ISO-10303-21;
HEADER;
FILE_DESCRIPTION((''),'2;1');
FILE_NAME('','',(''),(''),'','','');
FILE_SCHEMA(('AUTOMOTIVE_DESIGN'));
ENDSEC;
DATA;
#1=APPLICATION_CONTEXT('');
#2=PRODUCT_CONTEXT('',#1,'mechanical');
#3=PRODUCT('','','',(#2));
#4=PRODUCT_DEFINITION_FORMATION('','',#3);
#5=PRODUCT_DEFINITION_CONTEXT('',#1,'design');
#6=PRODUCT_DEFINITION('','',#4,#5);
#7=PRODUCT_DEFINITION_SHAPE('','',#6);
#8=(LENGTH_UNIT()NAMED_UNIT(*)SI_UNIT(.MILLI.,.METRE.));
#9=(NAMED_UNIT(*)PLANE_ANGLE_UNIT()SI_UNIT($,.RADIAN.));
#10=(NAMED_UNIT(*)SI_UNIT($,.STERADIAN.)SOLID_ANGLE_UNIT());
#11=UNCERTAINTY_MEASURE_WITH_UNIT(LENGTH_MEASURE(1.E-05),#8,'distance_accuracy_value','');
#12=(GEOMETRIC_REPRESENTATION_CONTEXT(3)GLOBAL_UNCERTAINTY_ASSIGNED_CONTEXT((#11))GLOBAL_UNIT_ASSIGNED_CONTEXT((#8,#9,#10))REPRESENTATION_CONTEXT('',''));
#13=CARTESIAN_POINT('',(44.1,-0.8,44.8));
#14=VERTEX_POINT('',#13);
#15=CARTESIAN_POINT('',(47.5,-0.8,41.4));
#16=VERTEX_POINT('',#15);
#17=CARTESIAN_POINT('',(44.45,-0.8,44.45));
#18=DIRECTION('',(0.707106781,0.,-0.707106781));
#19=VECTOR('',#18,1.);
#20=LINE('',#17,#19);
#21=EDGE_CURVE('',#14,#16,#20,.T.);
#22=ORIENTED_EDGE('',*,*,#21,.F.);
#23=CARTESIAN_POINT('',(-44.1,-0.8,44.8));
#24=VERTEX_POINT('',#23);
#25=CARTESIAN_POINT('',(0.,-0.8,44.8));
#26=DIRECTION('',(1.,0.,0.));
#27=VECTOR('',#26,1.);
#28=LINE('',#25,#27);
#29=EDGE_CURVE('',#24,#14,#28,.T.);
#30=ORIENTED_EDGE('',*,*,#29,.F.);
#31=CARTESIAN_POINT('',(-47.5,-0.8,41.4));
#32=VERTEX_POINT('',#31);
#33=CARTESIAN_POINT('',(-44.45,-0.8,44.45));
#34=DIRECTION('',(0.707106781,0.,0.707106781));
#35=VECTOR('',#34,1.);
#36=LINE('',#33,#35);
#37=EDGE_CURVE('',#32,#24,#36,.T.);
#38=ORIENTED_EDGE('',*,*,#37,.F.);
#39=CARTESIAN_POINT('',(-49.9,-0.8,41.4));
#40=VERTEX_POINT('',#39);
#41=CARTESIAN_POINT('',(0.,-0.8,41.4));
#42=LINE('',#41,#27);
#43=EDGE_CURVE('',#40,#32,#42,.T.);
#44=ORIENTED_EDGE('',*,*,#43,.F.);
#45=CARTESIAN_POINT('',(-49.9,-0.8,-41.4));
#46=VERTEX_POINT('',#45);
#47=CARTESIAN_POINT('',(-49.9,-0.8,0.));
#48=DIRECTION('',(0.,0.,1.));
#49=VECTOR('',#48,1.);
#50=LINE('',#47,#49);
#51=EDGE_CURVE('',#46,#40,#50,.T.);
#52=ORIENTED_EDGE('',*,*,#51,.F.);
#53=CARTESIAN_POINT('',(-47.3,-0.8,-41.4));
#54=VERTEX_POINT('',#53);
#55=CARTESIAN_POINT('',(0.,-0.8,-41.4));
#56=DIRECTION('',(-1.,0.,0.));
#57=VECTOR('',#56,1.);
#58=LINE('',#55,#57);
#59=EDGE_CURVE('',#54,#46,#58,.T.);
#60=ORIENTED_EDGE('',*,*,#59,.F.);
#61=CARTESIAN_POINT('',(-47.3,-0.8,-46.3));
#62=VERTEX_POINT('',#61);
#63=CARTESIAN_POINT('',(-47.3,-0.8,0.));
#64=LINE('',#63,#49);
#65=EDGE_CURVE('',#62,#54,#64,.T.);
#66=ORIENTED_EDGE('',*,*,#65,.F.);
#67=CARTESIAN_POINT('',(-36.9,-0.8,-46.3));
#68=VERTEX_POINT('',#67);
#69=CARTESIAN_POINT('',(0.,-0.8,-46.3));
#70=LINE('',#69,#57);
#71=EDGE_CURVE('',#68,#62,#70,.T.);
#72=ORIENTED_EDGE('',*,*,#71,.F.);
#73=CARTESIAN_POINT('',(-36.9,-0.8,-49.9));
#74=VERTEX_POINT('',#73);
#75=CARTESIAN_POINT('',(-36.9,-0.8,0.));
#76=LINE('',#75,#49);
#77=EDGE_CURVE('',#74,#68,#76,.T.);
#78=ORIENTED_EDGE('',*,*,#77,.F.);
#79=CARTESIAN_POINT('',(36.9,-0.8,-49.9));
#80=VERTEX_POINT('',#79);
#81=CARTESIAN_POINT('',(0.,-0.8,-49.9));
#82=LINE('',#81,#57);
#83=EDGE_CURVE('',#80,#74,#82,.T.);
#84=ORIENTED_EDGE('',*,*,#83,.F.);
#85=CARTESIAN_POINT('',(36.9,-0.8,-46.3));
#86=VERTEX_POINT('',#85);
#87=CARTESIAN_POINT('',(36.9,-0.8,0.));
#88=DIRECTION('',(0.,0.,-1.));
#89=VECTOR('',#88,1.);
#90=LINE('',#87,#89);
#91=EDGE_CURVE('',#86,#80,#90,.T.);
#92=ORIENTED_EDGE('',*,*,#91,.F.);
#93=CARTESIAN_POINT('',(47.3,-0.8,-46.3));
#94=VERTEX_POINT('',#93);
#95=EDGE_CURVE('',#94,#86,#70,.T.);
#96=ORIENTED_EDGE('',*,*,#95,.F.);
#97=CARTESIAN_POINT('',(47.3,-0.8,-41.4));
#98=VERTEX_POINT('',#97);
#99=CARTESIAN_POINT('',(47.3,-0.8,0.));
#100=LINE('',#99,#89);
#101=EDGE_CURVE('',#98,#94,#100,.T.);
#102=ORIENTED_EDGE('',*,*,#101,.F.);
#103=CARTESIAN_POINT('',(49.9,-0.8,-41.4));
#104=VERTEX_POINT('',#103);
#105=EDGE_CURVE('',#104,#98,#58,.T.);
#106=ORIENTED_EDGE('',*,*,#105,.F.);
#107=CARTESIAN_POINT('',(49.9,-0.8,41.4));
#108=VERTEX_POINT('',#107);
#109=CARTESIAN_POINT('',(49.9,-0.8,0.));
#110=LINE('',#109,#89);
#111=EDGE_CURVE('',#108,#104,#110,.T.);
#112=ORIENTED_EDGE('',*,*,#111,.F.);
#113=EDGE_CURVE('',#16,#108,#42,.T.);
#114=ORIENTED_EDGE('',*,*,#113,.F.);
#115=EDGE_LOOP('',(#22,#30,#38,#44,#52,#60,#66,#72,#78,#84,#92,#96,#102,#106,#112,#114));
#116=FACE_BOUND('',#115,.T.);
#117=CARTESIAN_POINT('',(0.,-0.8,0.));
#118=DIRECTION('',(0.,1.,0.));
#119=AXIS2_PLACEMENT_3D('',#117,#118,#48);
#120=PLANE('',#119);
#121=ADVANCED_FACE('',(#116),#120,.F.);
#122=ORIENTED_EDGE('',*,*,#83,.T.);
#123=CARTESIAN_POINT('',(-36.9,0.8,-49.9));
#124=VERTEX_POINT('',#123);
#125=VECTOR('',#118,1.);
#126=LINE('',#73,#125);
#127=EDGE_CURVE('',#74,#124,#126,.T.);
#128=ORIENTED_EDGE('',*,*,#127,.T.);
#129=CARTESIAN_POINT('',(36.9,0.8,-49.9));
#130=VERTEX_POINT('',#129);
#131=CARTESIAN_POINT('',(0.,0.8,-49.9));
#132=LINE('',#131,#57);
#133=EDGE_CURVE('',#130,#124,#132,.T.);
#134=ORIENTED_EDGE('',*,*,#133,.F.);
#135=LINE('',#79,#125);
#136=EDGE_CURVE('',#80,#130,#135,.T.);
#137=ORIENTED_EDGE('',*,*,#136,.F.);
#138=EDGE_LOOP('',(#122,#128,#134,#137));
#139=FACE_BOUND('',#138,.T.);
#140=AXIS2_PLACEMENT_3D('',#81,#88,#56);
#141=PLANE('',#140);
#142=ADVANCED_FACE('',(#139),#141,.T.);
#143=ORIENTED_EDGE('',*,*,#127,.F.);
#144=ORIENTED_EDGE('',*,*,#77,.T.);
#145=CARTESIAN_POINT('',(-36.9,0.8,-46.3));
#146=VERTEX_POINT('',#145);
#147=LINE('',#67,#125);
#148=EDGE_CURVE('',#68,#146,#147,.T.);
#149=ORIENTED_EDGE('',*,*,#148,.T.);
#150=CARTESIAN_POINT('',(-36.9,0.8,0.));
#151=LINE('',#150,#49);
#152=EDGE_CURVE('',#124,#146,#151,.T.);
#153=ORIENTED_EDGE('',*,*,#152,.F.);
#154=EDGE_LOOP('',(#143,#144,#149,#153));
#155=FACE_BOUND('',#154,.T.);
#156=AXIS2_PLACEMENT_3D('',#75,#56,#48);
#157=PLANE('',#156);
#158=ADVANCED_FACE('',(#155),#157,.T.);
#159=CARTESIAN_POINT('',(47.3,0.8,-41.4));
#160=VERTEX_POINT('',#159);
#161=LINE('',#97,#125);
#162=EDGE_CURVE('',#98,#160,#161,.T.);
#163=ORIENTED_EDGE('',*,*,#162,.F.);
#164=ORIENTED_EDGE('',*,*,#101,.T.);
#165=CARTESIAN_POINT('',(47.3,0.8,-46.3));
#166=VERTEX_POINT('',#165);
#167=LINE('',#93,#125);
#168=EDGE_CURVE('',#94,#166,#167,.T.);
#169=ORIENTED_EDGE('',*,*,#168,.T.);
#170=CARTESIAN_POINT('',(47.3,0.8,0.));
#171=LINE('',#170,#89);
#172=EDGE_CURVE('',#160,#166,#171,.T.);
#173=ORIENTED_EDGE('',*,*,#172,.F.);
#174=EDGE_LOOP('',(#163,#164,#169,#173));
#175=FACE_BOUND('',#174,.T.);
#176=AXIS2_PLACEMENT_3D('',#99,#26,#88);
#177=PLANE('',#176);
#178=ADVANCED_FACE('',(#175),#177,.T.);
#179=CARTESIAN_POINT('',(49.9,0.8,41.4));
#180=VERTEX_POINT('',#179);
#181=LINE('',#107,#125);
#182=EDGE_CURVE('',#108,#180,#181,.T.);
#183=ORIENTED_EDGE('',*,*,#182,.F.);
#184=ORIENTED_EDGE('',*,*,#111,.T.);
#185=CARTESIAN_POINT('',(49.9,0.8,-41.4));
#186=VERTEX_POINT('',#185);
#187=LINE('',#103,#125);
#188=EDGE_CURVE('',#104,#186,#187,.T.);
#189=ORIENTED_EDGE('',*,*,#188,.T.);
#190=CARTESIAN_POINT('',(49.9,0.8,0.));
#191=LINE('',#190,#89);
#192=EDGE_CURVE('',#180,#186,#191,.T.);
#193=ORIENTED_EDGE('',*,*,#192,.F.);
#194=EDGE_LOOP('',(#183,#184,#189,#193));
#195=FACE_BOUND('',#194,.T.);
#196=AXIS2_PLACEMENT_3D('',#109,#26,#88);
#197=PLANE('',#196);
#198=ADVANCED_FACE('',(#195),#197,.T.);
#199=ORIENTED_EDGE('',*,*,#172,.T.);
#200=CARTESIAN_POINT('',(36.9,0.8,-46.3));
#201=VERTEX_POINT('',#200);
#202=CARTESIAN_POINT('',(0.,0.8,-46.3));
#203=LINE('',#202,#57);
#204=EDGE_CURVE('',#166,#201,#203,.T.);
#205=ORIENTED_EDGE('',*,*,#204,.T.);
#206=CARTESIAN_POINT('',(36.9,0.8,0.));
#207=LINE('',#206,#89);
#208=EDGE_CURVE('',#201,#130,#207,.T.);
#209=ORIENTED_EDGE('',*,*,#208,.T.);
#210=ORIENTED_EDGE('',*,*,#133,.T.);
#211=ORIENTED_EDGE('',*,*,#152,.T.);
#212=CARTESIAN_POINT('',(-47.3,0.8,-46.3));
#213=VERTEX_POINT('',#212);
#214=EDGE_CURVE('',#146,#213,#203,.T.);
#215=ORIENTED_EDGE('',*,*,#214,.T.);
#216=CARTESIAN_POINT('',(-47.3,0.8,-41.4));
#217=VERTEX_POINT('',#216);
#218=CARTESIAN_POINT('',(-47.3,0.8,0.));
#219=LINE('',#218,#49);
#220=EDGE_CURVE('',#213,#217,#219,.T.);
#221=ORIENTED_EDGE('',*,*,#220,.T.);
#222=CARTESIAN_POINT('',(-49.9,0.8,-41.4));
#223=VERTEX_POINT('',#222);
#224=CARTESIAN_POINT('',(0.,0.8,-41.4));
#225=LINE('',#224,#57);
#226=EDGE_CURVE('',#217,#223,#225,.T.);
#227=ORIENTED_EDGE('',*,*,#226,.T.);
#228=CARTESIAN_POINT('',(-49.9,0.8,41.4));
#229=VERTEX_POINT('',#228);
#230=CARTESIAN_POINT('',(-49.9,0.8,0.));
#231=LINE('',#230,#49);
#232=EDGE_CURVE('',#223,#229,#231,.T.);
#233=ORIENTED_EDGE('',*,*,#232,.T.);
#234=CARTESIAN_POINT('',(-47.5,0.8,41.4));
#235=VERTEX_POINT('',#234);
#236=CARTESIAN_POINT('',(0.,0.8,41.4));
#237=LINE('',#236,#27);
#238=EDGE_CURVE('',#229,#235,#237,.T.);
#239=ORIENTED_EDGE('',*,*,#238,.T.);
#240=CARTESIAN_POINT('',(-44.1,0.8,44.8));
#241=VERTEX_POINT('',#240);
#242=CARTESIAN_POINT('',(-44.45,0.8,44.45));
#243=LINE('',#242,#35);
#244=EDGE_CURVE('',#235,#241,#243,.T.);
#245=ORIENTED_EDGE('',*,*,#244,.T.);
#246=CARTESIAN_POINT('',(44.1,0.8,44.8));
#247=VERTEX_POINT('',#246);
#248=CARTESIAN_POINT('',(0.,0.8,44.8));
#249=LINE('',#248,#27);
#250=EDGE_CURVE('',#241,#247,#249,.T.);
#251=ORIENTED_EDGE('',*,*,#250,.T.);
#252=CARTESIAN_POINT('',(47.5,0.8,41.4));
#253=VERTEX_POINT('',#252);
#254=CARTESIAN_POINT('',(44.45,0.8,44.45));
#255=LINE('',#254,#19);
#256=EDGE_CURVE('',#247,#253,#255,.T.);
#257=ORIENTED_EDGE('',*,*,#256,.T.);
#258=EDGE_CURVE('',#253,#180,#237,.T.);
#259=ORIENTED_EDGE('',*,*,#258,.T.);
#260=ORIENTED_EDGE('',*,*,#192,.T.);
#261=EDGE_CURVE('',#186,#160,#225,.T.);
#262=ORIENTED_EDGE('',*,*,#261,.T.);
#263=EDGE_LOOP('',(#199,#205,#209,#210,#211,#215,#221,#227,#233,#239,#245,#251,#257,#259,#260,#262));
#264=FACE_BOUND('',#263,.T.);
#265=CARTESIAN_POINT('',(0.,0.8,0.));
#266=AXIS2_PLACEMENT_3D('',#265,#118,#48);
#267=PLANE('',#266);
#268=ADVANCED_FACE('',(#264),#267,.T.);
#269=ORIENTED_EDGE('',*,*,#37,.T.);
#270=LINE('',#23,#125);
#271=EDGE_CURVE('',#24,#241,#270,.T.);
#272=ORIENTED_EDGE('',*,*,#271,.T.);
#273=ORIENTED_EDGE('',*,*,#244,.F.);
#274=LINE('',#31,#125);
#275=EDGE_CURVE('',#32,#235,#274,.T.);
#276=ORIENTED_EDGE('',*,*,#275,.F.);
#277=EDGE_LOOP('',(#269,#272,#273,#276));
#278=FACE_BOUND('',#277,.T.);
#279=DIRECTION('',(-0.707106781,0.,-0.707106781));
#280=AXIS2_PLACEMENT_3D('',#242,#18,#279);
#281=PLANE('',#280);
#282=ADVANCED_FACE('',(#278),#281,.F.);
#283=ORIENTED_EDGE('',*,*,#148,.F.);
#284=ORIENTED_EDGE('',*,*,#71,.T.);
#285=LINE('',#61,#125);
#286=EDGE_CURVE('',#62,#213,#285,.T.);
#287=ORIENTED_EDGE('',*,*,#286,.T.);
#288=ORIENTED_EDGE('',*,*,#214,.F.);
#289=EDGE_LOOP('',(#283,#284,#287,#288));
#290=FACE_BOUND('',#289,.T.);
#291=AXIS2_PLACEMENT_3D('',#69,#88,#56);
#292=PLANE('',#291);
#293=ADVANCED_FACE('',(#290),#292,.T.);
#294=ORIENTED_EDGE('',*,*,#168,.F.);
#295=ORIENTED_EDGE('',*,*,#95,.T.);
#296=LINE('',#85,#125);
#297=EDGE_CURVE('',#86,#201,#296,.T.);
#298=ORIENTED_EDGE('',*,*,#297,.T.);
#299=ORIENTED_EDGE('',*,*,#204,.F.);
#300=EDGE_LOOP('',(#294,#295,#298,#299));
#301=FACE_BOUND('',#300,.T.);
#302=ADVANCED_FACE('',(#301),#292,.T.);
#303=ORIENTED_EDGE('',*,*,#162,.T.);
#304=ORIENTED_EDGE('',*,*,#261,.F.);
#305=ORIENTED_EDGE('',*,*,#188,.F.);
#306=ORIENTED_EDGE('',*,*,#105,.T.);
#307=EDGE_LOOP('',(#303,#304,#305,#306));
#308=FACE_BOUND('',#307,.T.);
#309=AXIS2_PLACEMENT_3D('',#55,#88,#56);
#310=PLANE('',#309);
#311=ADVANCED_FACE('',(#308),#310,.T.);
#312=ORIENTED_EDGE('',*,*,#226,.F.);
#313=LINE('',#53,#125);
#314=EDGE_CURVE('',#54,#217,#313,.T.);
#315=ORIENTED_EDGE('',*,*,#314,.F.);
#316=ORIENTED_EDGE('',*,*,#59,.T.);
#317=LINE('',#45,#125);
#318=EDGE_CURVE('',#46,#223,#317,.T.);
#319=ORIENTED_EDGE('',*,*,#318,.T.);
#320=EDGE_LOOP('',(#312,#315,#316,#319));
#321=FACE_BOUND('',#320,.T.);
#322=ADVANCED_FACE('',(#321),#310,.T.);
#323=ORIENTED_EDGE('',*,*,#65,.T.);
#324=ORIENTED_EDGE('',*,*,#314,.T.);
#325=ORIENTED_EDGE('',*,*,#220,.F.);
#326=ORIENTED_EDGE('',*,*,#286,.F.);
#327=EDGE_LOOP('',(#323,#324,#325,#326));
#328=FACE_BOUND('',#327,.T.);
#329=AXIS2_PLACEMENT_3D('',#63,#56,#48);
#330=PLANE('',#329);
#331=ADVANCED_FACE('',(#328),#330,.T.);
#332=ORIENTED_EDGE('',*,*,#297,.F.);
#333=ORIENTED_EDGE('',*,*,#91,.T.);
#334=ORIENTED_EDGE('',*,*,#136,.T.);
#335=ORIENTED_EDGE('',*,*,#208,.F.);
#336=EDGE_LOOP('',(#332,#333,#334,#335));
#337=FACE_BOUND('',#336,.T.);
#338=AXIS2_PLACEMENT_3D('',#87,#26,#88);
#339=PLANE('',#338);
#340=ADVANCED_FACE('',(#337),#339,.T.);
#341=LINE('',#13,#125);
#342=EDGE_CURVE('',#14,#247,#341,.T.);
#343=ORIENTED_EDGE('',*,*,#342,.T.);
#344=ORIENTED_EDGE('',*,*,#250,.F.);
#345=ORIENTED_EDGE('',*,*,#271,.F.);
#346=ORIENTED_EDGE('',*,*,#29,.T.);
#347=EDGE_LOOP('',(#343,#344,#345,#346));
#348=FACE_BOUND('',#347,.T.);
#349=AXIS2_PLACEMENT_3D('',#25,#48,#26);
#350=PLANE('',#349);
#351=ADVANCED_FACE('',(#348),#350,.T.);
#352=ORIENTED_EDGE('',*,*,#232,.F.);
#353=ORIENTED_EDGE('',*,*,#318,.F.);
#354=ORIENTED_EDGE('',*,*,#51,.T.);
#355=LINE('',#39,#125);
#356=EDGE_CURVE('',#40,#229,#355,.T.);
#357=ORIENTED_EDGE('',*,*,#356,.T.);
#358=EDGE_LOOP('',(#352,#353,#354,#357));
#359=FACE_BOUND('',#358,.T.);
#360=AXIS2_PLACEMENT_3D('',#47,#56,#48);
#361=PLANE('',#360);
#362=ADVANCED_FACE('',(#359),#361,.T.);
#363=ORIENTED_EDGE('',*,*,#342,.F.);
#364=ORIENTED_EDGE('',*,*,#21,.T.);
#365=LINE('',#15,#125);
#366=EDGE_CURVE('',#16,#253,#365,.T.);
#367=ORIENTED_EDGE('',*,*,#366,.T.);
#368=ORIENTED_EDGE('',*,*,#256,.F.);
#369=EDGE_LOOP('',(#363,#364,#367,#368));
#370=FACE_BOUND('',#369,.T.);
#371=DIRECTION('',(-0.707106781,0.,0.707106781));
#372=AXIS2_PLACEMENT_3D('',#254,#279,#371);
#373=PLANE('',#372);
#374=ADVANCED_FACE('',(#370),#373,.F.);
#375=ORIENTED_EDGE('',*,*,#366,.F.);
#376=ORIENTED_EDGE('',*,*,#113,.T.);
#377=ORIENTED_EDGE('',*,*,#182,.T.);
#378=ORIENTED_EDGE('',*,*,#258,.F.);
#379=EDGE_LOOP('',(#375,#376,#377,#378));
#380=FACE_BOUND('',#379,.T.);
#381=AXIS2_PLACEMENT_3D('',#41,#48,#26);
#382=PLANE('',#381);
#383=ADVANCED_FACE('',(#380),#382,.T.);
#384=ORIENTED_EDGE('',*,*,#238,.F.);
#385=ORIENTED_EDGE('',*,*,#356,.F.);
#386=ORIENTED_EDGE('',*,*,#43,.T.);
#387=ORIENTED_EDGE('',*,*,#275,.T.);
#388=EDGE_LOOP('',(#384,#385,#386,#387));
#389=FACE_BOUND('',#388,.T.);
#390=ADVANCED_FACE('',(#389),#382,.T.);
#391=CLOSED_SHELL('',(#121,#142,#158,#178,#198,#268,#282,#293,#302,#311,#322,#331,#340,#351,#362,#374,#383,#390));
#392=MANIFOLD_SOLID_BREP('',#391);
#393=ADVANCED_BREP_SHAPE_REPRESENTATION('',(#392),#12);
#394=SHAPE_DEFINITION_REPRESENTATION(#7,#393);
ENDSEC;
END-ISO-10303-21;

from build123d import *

# Parameters (mm, degrees)
BOSS_EXTRUDE1_DEPTH     = 0.8
ADDTOLERANCE_DEPTH      = 71.715203457
ADDTOLERANCE_DEPTH_BACK = 71.715203457
CUT_EXTRUDE1_DEPTH      = 71.573791169
CUT_EXTRUDE1_DEPTH_BACK = 71.573791169


with BuildPart() as part:
    # Sketch2 → Boss-Extrude1 (new, symmetric)
    with BuildSketch(Plane(origin=(0, 0, 0), x_dir=(1, 0, 0), z_dir=(0, 1, 0))):
        Polygon((41.5, -47.4), (47.4, -41.5), (50, -41.5), (50, 41.5), (47.4, 41.5), (47.4, 46.4), (37, 46.4), (37, 50), (-37, 50), (-37, 46.4), (-47.4, 46.4), (-47.4, 41.5), (-50, 41.5), (-50, -41.5), (-47.4, -41.5), (-41.5, -47.4), align=None)
    extrude(amount=BOSS_EXTRUDE1_DEPTH, both=True)

    # Sketch3 → AddTolerance (cut, two sides: drawn at the far end of the back side and taken through both)
    with BuildSketch(Plane(origin=(0, 0, 0), x_dir=(1, 0, 0), z_dir=(0, 1, 0)).offset(-ADDTOLERANCE_DEPTH_BACK)):
        Polygon((37, 50), (-37, 50), (-37, 46.4), (-47.4, 46.4), (-47.4, 41.5), (-50, 41.5), (-50, -41.5), (-47.4, -41.5), (-47.5, -41.4), (-49.9, -41.4), (-49.9, 41.4), (-47.3, 41.4), (-47.3, 46.3), (-36.9, 46.3), (-36.9, 49.9), (36.9, 49.9), (36.9, 46.3), (47.3, 46.3), (47.3, 41.4), (49.9, 41.4), (49.9, -41.4), (47.5, -41.4), (47.4, -41.5), (50, -41.5), (50, 41.5), (47.4, 41.5), (47.4, 46.4), (37, 46.4), align=None)
    extrude(amount=ADDTOLERANCE_DEPTH + ADDTOLERANCE_DEPTH_BACK, mode=Mode.SUBTRACT)

    # Sketch4 → Cut-Extrude1 (cut, two sides: drawn at the far end of the back side and taken through both)
    with BuildSketch(Plane(origin=(0, 0, 0), x_dir=(1, 0, 0), z_dir=(0, 1, 0)).offset(-CUT_EXTRUDE1_DEPTH_BACK)):
        Polygon((-41.5, -47.4), (41.5, -47.4), (43.1, -45.8), (-43.1, -45.8), align=None)
        Polygon((-43.1, -45.8), (43.1, -45.8), (44.1, -44.8), (-44.1, -44.8), align=None)
    extrude(amount=CUT_EXTRUDE1_DEPTH + CUT_EXTRUDE1_DEPTH_BACK, mode=Mode.SUBTRACT)


solid = part.part
